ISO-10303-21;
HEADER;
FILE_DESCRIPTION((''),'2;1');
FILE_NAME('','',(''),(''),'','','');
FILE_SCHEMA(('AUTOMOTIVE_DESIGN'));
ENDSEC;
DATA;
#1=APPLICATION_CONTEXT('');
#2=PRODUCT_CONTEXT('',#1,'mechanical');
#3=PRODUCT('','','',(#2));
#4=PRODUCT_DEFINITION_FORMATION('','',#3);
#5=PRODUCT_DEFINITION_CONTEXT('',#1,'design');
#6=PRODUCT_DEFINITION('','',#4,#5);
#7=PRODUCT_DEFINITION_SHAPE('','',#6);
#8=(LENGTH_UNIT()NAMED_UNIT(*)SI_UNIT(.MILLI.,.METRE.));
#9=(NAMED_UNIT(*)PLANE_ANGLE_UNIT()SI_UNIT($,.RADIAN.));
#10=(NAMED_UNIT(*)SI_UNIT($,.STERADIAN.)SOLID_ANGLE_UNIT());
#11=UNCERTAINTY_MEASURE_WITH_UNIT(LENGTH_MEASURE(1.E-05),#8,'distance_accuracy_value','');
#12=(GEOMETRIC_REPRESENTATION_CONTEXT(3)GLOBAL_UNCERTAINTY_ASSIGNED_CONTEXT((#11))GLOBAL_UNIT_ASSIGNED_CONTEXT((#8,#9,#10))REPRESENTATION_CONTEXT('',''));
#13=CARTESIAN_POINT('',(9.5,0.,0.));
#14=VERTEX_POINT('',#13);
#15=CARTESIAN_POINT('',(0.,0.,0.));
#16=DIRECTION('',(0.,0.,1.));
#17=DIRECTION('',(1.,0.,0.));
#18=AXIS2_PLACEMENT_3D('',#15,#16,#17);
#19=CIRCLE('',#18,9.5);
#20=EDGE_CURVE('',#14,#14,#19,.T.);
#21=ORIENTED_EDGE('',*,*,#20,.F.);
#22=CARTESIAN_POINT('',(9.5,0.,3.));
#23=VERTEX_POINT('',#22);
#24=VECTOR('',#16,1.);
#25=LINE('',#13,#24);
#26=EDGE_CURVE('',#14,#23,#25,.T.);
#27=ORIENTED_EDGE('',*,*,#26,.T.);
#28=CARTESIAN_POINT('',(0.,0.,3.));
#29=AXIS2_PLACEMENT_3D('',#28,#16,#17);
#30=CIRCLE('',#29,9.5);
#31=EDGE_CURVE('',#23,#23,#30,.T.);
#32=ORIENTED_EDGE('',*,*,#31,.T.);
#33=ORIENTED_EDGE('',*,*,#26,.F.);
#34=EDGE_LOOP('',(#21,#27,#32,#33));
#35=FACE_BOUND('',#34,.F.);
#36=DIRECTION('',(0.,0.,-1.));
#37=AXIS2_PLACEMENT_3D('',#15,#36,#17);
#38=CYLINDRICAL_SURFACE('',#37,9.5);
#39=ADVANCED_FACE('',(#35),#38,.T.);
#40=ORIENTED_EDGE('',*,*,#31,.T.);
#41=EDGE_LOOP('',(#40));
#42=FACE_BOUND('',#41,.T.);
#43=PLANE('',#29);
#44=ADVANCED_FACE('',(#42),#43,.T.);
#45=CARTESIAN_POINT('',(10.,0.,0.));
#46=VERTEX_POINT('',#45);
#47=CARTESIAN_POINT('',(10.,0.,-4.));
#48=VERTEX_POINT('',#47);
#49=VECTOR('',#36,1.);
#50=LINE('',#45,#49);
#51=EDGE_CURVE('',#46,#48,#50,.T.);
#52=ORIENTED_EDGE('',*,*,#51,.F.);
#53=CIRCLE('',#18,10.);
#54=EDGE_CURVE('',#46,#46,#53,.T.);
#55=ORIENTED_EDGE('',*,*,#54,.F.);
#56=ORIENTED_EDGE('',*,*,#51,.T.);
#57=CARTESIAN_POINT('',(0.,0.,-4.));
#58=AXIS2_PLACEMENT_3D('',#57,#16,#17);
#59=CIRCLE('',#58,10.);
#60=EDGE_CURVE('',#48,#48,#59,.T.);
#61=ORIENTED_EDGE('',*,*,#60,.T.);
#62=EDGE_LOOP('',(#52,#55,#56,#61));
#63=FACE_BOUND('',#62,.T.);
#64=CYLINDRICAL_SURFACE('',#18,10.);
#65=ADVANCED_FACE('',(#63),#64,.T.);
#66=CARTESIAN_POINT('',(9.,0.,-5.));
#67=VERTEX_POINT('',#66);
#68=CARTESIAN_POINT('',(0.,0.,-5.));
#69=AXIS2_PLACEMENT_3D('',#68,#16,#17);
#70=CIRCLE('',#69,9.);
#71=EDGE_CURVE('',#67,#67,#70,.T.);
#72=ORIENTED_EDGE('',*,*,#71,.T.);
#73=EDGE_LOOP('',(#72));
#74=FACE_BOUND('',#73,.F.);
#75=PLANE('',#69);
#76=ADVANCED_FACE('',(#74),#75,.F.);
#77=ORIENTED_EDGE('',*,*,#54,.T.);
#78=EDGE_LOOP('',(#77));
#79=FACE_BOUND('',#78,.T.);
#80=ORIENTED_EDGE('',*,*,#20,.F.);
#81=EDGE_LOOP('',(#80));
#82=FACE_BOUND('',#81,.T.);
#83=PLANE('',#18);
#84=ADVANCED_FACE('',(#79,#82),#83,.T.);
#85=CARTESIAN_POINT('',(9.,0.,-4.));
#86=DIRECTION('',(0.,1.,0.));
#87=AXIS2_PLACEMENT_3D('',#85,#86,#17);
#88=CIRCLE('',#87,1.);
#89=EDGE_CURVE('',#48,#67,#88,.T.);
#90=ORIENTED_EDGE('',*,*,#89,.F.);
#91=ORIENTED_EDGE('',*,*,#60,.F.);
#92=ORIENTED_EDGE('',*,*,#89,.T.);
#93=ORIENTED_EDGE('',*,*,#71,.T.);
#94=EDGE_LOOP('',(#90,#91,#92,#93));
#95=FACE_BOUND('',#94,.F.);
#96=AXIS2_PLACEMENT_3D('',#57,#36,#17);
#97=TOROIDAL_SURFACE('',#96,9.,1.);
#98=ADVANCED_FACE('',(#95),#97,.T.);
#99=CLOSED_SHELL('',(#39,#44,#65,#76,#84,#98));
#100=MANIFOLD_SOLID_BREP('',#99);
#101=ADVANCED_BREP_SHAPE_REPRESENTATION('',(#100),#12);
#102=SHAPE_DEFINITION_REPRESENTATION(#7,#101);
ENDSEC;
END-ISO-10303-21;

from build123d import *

# Parameters (mm, degrees)
F0_R     = 9.5
F1_DEPTH = 3
F0_R_2   = 10
F2_DEPTH = 5
F3_R     = 1


with BuildPart() as f1:
    # F0 (on Top) → F1 (new body)
    with BuildSketch(Plane.XY):
        Circle(F0_R)
    extrude(amount=F1_DEPTH)

    # F0 (on Top) → F2 (join)
    with BuildSketch(Plane.XY):
        Circle(F0_R_2)
        Circle(F0_R, mode=Mode.SUBTRACT)
        Circle(F0_R)
    extrude(amount=-F2_DEPTH)

    # F3
    f3_edges = [f1.edges().sort_by_distance(p)[0] for p in [
        (-10, 0, -5),
    ]]
    fillet(f3_edges, radius=F3_R)


solid = f1.part
